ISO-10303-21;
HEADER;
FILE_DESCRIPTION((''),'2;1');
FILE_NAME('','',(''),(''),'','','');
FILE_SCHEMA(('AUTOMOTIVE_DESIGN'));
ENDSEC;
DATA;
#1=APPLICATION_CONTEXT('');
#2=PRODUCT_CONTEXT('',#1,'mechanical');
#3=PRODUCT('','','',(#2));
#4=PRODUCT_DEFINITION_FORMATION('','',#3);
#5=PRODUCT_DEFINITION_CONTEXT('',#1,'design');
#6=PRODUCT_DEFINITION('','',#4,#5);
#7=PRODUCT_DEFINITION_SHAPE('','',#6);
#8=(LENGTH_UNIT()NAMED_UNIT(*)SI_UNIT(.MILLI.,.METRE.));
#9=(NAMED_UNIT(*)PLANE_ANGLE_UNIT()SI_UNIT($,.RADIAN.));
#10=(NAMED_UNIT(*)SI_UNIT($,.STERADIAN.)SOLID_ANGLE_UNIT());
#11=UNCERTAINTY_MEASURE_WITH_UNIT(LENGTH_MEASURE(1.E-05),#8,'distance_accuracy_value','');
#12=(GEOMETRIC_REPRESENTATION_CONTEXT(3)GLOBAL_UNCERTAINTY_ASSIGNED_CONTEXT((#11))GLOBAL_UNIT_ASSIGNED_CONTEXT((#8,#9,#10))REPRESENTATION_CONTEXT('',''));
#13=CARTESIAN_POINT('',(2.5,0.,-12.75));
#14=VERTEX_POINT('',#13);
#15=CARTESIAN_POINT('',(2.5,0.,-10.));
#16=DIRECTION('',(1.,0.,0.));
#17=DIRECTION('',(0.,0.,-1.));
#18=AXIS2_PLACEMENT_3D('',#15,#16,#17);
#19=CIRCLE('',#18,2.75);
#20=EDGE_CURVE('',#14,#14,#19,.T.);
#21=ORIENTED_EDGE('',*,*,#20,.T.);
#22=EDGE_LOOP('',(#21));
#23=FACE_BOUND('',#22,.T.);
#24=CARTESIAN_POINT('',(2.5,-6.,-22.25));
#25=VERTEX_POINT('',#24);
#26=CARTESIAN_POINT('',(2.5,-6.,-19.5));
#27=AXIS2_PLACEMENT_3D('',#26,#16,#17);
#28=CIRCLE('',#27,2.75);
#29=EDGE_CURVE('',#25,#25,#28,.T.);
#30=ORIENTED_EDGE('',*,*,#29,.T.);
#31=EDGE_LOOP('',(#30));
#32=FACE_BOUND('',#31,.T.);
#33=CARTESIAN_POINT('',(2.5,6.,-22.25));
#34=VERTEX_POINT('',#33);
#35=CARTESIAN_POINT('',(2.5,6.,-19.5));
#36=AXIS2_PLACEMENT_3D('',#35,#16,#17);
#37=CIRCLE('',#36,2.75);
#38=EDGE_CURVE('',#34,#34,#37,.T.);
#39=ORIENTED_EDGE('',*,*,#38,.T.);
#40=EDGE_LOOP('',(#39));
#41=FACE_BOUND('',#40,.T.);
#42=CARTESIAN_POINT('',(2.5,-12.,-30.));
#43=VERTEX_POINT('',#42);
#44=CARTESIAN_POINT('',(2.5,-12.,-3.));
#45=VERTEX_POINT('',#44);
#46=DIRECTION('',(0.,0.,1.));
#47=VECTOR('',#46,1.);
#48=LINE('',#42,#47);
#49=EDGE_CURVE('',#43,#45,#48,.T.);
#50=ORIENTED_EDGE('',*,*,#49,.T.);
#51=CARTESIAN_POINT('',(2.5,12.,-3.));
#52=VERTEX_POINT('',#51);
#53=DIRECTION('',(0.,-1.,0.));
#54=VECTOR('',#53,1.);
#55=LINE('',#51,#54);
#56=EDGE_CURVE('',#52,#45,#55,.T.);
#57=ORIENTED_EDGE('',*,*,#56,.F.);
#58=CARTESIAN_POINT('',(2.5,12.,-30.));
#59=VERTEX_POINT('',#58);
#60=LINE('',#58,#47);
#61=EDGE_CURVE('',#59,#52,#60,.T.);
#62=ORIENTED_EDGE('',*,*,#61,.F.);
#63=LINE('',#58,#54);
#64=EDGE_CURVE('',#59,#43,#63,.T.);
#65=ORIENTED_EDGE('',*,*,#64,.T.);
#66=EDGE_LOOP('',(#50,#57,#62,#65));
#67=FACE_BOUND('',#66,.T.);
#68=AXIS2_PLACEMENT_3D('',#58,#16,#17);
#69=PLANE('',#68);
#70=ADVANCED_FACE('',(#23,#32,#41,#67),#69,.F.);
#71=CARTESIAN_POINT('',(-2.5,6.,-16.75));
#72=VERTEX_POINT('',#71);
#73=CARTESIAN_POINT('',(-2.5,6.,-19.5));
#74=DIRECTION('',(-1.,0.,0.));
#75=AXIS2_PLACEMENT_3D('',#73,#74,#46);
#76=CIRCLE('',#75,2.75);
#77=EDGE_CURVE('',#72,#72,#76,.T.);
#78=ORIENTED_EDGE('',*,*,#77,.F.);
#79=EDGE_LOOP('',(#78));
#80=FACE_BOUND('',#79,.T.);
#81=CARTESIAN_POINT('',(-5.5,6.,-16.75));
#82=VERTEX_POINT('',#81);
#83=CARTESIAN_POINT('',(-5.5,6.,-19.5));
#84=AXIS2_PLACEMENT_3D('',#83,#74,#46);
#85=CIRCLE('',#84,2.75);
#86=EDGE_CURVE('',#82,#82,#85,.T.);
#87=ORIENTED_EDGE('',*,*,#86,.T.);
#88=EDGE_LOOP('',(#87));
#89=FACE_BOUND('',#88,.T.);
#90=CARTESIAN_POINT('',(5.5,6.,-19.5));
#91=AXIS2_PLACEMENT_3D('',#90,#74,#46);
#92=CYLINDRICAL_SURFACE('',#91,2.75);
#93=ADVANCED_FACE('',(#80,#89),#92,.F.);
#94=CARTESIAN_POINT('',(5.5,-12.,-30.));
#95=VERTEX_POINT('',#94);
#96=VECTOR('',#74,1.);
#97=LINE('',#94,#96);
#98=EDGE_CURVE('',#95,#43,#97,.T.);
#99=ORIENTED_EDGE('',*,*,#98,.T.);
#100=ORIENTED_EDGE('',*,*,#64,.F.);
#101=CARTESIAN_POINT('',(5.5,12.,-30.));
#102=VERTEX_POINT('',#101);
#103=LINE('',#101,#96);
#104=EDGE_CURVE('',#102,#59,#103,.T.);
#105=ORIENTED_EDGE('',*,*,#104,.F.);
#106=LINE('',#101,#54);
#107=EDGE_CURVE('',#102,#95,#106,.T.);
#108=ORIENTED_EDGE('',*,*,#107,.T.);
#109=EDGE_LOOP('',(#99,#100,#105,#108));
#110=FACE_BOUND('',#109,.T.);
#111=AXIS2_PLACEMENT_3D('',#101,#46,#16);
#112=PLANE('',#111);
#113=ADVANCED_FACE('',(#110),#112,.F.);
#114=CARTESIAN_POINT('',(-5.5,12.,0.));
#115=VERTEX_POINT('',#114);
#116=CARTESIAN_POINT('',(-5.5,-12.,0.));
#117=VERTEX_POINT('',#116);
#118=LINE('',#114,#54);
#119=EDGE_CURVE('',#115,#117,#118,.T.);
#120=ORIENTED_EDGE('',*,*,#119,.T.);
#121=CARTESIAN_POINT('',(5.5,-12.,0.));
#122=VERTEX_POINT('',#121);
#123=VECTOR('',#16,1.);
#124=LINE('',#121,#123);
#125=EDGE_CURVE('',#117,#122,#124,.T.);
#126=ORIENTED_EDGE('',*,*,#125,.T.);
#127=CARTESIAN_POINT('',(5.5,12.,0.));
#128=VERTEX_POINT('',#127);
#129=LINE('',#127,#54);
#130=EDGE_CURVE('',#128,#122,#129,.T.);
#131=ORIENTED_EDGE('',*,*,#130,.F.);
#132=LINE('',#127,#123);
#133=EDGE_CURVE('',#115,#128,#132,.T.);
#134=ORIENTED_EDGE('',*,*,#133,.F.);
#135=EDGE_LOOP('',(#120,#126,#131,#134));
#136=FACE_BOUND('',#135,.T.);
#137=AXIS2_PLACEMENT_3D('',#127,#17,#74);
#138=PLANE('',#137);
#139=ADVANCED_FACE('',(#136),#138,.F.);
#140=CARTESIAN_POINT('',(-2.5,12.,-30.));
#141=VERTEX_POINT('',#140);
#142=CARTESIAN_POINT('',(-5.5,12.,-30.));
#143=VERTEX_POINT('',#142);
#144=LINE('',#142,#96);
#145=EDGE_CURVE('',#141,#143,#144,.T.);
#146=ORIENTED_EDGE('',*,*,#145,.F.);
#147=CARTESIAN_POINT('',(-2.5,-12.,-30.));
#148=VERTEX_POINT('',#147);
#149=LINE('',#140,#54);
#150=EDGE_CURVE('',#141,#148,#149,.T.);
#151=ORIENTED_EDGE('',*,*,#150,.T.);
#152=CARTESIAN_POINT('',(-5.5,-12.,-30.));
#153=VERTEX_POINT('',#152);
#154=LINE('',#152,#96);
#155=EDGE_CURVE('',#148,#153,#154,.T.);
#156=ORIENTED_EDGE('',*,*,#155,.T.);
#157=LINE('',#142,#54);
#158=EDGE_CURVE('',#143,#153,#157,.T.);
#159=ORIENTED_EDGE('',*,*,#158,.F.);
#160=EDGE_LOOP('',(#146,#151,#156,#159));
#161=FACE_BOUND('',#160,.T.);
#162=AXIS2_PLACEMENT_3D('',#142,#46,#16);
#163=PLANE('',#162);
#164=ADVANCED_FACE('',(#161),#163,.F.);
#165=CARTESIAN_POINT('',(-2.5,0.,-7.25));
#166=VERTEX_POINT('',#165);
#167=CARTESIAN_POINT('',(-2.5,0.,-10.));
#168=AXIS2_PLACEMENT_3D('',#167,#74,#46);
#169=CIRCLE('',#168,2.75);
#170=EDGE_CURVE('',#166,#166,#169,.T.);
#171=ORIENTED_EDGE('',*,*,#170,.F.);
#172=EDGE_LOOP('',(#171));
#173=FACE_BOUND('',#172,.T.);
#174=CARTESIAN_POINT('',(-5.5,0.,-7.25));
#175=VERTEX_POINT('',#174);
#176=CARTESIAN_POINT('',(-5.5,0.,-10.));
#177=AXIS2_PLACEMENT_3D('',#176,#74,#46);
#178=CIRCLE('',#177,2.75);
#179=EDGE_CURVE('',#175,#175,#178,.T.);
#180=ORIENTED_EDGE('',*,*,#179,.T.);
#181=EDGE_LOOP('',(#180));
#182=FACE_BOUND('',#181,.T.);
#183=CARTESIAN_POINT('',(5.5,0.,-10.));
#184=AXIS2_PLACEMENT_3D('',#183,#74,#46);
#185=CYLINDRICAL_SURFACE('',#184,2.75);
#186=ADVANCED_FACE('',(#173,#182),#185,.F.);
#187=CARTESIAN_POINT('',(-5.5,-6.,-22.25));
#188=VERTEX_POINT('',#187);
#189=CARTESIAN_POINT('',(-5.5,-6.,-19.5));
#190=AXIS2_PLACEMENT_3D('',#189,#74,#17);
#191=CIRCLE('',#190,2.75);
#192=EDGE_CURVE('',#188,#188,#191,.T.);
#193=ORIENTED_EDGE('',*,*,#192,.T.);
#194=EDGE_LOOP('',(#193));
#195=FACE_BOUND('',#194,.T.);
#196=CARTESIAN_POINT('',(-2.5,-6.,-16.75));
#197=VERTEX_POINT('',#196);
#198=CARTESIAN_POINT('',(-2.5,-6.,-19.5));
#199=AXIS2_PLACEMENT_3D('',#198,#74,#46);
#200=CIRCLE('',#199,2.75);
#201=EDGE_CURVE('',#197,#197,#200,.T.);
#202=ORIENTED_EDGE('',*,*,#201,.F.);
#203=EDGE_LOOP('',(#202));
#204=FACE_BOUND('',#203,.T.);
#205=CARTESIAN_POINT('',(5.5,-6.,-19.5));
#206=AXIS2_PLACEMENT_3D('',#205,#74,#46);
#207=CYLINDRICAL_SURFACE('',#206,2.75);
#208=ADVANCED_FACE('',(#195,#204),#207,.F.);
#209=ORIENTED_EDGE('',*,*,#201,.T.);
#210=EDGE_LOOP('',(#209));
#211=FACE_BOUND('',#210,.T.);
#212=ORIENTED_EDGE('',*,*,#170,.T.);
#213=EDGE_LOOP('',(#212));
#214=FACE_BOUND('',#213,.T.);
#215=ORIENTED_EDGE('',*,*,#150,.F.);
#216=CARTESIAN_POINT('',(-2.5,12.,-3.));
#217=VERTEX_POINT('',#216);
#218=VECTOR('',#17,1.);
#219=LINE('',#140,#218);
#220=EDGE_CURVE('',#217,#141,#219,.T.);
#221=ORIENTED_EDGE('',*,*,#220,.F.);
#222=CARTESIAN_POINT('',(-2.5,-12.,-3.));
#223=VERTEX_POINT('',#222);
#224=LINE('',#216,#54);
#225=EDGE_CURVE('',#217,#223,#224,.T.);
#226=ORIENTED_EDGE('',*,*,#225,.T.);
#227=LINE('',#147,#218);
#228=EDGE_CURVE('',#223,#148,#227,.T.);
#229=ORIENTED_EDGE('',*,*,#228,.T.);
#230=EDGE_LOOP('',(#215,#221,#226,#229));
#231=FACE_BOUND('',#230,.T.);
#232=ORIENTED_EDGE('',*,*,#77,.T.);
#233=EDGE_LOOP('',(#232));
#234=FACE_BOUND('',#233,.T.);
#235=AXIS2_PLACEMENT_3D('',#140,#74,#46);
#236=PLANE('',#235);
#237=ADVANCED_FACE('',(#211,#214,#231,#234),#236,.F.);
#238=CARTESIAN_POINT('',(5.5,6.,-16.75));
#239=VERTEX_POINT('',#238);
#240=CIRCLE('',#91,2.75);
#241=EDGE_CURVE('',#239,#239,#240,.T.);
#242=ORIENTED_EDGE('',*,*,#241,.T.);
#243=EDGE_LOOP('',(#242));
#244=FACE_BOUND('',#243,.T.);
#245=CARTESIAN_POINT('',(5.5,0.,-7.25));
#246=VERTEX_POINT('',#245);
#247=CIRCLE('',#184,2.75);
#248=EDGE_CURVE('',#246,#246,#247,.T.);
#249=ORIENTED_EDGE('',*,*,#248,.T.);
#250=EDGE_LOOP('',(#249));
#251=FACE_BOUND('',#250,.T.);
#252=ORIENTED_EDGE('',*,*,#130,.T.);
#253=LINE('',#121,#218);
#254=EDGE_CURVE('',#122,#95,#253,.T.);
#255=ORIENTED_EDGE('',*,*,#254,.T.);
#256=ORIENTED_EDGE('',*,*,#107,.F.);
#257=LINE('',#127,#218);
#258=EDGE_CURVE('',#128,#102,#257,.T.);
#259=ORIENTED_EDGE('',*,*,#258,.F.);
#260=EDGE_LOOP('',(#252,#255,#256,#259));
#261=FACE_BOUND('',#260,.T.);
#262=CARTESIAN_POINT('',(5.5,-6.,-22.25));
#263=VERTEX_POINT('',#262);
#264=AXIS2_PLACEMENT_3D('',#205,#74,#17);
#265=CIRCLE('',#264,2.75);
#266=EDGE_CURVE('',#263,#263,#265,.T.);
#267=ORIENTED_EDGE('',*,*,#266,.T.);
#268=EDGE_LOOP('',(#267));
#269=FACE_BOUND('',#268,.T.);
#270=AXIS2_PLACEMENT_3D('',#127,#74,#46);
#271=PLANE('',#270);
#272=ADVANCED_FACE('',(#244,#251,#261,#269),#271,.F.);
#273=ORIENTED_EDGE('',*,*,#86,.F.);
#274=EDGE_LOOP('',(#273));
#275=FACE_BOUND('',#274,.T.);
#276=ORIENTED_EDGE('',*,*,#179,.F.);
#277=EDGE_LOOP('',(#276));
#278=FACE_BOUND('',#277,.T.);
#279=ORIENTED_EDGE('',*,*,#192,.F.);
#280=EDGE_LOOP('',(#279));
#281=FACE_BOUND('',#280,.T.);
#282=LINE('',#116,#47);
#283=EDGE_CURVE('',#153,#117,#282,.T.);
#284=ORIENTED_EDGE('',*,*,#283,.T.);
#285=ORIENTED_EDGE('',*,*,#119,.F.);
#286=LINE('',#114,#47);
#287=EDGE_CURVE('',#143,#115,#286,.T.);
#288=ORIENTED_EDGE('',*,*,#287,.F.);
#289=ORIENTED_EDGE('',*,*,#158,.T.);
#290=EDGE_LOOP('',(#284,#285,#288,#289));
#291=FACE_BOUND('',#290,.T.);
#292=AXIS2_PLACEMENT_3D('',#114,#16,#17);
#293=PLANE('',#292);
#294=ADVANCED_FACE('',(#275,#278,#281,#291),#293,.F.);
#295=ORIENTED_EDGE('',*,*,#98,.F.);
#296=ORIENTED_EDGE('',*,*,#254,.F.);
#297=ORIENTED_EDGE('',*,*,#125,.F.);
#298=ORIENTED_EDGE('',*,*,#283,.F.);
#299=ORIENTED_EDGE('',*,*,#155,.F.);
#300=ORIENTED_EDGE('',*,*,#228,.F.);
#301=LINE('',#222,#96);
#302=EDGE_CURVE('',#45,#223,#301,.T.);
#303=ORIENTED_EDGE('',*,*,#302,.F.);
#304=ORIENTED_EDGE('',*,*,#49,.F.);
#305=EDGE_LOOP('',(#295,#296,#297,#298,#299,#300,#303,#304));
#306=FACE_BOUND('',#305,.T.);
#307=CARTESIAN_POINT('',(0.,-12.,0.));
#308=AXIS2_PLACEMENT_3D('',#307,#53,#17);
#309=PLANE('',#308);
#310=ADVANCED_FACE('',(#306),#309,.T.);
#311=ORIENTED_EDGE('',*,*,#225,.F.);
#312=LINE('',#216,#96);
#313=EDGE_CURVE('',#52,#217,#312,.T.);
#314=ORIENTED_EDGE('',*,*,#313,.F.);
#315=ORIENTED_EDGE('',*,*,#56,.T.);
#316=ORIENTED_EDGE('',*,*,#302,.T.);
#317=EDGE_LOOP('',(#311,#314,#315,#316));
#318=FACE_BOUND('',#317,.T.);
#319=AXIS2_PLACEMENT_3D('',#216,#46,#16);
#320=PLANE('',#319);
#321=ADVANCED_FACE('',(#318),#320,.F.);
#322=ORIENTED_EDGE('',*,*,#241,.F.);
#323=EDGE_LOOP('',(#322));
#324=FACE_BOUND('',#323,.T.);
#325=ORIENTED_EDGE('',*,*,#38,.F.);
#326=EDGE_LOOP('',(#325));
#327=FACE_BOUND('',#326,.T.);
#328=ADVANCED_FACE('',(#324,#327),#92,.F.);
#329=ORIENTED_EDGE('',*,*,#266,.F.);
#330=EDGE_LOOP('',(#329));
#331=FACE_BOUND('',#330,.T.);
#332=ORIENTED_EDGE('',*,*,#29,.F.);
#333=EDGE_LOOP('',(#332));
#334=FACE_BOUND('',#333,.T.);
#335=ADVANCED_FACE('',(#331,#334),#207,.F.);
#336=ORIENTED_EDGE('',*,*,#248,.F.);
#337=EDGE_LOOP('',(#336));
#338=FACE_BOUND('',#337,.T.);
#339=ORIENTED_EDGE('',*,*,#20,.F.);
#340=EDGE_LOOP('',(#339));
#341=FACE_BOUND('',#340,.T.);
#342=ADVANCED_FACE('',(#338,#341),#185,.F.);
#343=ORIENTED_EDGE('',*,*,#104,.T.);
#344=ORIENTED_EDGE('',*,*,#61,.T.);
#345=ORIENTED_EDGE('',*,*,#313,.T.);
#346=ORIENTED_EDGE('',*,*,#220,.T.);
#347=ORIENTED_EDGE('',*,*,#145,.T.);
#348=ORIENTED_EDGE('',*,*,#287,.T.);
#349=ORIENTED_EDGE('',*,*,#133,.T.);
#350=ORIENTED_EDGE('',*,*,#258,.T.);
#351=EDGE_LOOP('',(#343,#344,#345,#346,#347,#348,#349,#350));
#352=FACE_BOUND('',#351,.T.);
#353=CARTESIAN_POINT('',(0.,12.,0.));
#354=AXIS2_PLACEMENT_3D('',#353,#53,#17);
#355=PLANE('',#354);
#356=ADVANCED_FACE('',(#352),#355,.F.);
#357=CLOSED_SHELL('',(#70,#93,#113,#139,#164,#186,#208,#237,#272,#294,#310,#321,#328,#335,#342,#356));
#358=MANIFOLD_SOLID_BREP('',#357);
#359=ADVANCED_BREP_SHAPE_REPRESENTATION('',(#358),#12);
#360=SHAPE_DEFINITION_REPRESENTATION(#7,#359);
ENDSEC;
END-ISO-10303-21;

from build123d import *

# Parameters (mm, degrees)
EXTRUDE_1_DEPTH     = 12
SKETCH_5_R          = 2.75
CUT_EXTRUDE_1_DEPTH = 35.132096332


with BuildPart() as part:
    # 草图1 → 凸台-拉伸1 (new, symmetric)
    with BuildSketch(Plane(origin=(0, 0, 0), x_dir=(1, 0, 0), z_dir=(0, 1, 0))):
        Polygon((5.5, 0), (-5.5, 0), (-5.5, 30), (-2.5, 30), (-2.5, 3), (2.5, 3), (2.5, 30), (5.5, 30), align=None)
    extrude(amount=EXTRUDE_1_DEPTH, both=True)

    # 草图5 → 切除-拉伸1 (cut, through all)
    with BuildSketch(Plane.ZY.offset(5.5)):
        with Locations((-10, 0)):
            Circle(SKETCH_5_R)
        with Locations((-19.5, 6)):
            Circle(SKETCH_5_R)
        with Locations((-19.5, -6)):
            Circle(SKETCH_5_R)
    extrude(amount=-CUT_EXTRUDE_1_DEPTH, mode=Mode.SUBTRACT)


solid = part.part
